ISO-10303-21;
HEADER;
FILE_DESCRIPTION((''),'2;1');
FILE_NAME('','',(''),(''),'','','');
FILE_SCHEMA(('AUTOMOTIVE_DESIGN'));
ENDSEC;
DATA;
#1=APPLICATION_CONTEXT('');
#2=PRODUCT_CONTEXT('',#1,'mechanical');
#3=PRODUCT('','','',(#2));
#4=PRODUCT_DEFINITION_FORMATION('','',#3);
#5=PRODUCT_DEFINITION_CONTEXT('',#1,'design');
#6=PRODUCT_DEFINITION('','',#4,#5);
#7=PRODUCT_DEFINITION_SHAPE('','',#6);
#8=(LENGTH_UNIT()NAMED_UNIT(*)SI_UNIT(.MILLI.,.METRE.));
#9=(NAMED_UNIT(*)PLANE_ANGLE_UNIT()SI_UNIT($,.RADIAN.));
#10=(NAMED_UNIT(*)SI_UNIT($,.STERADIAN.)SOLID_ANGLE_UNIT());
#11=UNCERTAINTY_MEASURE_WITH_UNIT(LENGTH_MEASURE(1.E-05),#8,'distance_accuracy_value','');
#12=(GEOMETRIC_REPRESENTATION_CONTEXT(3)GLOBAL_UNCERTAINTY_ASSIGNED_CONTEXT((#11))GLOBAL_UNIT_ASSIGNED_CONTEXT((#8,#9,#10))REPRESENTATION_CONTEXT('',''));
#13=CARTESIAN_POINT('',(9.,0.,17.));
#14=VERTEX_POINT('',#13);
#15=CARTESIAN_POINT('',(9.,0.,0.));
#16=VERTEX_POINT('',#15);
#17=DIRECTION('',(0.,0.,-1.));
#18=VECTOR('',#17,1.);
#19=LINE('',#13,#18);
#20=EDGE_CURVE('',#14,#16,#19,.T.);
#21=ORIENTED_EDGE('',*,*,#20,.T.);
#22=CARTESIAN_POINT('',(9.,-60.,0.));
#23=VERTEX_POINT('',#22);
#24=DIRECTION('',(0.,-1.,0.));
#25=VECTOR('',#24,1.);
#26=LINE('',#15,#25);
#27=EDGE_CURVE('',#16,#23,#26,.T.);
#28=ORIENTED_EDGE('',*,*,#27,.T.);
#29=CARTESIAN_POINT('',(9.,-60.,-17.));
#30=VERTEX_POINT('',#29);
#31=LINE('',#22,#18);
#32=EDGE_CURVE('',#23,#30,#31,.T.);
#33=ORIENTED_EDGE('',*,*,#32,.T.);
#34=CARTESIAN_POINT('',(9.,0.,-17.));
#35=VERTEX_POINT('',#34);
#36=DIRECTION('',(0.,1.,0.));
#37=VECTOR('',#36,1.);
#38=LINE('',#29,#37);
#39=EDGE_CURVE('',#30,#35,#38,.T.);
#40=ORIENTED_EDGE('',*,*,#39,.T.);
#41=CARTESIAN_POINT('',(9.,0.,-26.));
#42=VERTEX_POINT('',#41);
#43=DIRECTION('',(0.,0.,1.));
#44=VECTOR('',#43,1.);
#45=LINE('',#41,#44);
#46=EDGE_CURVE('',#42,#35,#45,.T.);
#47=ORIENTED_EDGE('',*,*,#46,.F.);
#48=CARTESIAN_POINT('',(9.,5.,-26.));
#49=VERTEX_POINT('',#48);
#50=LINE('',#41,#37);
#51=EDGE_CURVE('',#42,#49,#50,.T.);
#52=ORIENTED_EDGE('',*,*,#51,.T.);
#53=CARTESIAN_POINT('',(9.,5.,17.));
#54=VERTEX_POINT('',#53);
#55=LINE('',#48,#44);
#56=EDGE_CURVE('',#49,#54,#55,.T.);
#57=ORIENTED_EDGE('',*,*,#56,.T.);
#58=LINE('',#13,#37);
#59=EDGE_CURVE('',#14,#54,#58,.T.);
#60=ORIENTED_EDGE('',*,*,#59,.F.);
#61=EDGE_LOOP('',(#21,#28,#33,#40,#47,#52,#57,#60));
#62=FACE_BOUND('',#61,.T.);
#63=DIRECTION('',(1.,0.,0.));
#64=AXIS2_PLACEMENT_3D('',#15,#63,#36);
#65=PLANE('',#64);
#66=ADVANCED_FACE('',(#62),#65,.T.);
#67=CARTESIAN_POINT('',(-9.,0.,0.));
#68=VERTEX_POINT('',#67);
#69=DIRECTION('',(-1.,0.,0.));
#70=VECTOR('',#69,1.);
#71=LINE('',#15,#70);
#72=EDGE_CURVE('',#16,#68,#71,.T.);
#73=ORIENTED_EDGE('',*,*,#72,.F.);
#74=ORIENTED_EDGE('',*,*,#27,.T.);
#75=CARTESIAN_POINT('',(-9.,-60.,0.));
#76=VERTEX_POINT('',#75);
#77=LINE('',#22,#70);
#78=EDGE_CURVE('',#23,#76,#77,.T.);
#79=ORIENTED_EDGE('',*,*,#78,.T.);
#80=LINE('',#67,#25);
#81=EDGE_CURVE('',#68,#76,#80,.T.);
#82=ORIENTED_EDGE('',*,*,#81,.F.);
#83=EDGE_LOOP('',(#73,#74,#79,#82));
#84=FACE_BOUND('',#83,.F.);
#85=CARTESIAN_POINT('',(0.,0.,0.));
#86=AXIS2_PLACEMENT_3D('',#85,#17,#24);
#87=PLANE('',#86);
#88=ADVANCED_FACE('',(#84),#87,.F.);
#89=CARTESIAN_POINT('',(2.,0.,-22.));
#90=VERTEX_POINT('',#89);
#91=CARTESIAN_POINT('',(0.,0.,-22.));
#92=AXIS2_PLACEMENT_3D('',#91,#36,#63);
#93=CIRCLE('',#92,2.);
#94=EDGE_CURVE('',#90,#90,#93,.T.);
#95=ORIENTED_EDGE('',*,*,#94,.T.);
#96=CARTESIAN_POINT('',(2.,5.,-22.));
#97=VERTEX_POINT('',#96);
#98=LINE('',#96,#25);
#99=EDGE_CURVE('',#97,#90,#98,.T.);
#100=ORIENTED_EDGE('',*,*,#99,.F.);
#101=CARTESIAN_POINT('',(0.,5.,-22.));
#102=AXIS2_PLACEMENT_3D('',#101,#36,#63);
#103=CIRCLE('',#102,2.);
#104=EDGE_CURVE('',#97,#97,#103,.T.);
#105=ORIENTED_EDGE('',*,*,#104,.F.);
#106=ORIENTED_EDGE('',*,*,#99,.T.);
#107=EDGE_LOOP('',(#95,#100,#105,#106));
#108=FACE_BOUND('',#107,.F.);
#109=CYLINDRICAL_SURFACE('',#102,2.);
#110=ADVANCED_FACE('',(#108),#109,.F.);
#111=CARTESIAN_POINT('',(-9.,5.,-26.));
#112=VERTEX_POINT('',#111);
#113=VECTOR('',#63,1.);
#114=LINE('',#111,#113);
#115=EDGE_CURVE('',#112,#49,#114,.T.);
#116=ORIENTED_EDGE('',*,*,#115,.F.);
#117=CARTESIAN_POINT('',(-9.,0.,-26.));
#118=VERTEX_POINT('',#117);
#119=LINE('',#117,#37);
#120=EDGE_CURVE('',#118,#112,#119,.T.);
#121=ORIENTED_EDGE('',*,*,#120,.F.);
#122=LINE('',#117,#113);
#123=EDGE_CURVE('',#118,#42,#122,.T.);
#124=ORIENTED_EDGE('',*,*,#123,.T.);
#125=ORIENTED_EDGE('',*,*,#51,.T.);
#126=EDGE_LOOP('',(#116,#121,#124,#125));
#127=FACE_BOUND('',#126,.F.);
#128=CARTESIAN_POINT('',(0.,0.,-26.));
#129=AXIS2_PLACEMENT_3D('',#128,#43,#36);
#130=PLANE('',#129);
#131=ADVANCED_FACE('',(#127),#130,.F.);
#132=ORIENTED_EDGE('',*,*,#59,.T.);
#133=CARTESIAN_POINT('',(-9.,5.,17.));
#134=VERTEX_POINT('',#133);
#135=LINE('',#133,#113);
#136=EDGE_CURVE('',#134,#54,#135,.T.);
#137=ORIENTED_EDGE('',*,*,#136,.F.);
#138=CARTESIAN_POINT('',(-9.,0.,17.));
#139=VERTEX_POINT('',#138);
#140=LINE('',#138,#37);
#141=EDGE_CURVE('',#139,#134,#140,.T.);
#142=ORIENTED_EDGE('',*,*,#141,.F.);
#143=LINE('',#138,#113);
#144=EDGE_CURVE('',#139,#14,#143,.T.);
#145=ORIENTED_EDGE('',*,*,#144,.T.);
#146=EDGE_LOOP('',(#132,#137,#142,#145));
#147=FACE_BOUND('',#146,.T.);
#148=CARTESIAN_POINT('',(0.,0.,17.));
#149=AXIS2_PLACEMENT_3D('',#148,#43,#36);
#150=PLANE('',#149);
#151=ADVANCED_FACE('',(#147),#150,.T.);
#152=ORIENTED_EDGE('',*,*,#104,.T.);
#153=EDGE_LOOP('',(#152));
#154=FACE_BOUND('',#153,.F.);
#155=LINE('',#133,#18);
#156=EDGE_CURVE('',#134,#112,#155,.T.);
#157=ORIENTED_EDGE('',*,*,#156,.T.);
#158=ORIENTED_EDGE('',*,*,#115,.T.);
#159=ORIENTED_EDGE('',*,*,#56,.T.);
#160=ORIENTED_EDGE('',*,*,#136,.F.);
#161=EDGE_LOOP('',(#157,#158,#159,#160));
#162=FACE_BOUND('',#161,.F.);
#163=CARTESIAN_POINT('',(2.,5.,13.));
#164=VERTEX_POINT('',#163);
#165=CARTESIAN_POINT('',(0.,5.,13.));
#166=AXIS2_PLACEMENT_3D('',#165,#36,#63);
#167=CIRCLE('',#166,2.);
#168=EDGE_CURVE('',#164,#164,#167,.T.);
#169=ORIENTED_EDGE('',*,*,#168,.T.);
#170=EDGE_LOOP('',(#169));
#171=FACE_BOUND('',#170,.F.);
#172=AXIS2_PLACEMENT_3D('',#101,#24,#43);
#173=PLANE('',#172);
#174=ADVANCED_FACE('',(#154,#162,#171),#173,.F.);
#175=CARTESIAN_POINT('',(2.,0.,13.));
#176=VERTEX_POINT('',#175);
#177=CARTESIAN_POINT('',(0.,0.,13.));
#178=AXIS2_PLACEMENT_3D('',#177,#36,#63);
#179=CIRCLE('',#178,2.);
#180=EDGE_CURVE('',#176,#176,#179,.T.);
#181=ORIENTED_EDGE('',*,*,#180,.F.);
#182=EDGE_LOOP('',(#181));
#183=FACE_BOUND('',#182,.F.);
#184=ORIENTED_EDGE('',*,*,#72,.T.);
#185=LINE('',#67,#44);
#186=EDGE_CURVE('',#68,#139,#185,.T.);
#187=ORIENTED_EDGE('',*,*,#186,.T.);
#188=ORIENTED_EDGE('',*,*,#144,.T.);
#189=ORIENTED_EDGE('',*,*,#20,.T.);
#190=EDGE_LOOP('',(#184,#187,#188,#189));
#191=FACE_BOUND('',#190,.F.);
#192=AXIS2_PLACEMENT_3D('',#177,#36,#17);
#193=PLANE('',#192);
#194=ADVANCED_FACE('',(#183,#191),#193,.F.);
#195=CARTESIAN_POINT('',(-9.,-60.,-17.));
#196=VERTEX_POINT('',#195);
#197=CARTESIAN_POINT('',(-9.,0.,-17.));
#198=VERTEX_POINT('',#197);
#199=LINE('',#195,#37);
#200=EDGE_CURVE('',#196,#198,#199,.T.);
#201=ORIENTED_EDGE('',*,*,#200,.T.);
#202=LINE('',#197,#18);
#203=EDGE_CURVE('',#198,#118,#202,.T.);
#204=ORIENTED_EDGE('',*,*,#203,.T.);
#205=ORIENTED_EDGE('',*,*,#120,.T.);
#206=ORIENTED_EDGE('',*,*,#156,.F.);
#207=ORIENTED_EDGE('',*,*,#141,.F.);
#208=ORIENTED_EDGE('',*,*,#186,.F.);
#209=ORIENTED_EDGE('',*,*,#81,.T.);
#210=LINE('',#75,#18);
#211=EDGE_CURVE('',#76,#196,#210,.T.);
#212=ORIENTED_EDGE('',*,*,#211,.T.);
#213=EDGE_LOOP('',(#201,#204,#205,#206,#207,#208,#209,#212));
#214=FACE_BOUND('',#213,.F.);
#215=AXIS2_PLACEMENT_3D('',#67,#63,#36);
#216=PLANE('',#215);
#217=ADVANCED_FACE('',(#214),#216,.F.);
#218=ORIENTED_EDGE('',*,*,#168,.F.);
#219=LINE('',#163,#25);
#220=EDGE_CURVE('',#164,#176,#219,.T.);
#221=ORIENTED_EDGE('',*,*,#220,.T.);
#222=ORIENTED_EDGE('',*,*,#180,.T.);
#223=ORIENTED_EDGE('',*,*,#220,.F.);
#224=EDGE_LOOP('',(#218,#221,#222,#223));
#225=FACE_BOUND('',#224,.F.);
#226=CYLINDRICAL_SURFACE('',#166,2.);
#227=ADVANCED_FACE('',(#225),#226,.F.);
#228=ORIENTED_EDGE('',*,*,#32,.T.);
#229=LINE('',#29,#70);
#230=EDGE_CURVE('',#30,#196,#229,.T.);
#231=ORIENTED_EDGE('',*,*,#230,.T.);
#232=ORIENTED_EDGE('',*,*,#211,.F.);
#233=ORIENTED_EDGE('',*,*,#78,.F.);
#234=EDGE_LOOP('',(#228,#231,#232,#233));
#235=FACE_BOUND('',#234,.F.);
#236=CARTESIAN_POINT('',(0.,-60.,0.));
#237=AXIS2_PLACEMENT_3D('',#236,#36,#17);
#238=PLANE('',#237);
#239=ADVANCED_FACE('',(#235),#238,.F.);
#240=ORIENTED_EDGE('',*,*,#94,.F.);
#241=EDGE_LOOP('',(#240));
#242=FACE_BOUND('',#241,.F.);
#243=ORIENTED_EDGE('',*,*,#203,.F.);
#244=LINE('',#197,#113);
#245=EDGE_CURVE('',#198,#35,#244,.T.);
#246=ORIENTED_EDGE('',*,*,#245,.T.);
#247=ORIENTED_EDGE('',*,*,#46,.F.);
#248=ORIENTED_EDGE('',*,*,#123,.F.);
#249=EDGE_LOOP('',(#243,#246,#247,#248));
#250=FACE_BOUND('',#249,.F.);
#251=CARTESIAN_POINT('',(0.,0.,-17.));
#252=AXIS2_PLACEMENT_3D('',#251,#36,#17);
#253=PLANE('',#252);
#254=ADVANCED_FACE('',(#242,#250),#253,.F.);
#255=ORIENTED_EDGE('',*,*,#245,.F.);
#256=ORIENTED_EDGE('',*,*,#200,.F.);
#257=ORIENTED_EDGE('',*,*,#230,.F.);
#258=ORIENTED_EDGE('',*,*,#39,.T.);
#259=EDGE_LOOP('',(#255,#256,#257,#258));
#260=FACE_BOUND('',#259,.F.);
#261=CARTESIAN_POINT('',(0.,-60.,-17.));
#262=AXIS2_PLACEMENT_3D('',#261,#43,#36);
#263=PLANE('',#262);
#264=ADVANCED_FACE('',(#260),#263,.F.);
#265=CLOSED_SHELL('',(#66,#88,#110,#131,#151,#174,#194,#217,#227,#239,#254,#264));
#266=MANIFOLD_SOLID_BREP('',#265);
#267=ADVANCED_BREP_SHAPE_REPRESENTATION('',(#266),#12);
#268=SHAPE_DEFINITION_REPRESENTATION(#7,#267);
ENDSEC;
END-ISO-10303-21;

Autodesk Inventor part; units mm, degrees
ref_plane "YZ Plane" through (0, 0, 0) normal (1, 0, 0) x (0, 1, 0)
ref_plane "XZ Plane" through (0, 0, 0) normal (0, 1, 0) x (-1, 0, 0)
ref_plane "XY Plane" through (0, 0, 0) normal (0, 0, 1) x (1, 0, 0)
sketch "Sketch1" plane through (0, 0, 0) normal (1, 0, 0) x (0, 1, 0)
  line L0 (0, 0) -> (-60, 0)
  line L1 (-60, 0) -> (-60, -17)
  line L2 (-60, -17) -> (0, -17)
  line L3 (0, -17) -> (0, 0)
  line L4 (0, -22) -> (5, -22)
  line L5 (5, -22) -> (5, 13)
  line L6 (5, 13) -> (0, 13)
  line L7 (0, 13) -> (0, -22)
  line L8 (5, 13) -> (0, 13)
  line L9 (0, 13) -> (0, 17)
  line L10 (0, 17) -> (5, 17)
  line L11 (5, 17) -> (5, 13)
  line L12 (5, -22) -> (0, -22)
  line L13 (0, -22) -> (0, -26)
  line L14 (0, -26) -> (5, -26)
  line L15 (5, -26) -> (5, -22)
  point P0 (0, 13)
  point P1 (0, -17)
  dimension "d0" = 17
  dimension "d1" = 60
  dimension "d2" = 13
extrude "Extrusion1" add sketch "Sketch1" along normal mid plane 18
sketch "Sketch2" plane through (-9, 5, 17) normal (0, 1, 0) x (1, 0, 0)
  circle A0 centre (9, 39) radius 2
  circle A1 centre (9, 4) radius 2
  point P0 (9, 17)
  dimension "d5" = 4
  dimension "d6" = 4
extrude "Extrusion2" cut sketch "Sketch2" against normal blind 10
properties part number "AdaptadorAnycubic"
